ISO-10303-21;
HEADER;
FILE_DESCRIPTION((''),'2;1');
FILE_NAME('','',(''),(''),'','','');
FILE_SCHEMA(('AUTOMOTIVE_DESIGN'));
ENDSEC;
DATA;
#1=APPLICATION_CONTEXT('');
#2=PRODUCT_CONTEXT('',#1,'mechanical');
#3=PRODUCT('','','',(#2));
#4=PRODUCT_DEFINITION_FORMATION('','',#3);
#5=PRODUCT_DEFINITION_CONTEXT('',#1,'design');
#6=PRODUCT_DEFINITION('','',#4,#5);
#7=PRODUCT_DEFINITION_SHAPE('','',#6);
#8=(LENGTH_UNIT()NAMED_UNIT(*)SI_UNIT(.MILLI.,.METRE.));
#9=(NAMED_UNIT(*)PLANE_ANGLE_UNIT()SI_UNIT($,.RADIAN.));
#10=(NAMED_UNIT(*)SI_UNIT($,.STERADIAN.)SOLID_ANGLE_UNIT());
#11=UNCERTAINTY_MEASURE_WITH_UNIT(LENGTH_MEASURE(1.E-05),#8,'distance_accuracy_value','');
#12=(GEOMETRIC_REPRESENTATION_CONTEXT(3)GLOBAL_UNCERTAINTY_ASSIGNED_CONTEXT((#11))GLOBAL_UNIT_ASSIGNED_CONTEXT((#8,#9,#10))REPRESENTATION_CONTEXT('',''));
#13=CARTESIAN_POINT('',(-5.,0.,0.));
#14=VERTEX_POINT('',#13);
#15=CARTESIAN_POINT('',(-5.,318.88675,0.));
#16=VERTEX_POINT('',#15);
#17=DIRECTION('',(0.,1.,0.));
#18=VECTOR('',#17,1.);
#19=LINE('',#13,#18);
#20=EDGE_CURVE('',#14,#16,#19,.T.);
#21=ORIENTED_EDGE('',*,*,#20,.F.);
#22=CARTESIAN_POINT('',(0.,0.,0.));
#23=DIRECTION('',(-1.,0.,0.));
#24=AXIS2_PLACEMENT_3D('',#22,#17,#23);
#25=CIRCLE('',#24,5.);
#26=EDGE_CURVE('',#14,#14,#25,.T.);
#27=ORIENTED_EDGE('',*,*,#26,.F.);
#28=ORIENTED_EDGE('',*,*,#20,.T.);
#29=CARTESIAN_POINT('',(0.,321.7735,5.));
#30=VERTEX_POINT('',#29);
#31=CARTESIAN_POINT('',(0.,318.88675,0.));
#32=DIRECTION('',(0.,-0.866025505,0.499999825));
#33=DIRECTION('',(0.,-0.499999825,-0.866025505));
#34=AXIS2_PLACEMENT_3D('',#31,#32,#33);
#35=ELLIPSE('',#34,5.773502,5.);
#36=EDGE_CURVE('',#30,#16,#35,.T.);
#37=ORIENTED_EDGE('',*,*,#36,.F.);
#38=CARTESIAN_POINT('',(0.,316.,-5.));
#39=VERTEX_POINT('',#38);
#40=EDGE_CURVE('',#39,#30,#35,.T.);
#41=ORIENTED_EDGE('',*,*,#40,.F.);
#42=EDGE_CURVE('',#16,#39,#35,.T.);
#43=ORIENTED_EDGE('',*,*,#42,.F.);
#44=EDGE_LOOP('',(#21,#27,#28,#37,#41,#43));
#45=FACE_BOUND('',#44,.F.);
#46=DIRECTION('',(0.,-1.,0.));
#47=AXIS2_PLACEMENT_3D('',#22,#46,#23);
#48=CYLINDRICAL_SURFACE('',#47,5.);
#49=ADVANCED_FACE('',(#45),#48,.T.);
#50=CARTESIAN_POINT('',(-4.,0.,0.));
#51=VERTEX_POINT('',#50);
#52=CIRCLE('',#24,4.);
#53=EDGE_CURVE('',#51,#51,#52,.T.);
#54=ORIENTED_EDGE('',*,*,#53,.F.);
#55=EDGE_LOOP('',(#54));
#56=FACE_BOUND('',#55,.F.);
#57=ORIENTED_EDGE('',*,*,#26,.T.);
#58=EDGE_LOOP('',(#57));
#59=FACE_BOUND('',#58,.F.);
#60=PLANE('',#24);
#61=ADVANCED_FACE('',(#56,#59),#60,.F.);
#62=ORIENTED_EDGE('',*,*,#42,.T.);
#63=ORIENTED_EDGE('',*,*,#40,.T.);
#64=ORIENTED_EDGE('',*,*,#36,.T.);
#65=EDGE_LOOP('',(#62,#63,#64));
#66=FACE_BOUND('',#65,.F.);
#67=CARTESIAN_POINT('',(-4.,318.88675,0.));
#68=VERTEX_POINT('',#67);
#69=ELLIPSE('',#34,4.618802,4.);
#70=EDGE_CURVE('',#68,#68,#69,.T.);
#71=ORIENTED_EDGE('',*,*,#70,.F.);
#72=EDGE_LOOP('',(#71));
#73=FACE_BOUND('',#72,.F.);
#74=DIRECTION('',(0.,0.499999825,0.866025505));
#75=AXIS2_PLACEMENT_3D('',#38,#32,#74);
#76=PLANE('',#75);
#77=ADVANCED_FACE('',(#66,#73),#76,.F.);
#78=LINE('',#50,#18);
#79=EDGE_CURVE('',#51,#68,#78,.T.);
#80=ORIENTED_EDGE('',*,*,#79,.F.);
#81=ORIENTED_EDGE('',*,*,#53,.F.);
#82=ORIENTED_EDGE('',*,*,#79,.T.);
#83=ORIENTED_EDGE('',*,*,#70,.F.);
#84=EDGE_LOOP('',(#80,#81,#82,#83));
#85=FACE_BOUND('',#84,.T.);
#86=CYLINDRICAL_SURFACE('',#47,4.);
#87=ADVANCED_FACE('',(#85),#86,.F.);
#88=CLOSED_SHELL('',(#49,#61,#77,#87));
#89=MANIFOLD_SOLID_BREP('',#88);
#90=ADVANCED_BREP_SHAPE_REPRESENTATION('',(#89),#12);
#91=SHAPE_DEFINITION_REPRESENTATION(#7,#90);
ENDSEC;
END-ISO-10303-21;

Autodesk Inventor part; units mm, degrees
ref_plane "YZ Plane" through (0, 0, 0) normal (1, 0, 0) x (0, 1, 0)
ref_plane "XZ Plane" through (0, 0, 0) normal (0, 1, 0) x (-1, 0, 0)
ref_plane "XY Plane" through (0, 0, 0) normal (0, 0, 1) x (1, 0, 0)
sketch "Sketch1" plane through (0, 0, 0) normal (0, 1, 0) x (-1, 0, 0)
  circle A0 centre (0, 0) radius 4
  circle A1 centre (0, 0) radius 5
  dimension "d0" = 8
  dimension "d1" = 10
extrude "Extrusion1" add sketch "Sketch1" along normal blind 330
sketch "Sketch2" plane through (0, 0, 0) normal (1, 0, 0) x (0, 1, 0)
  line L0 (0, -5) -> (330, -5) projected
  line L1 (330, 4) -> (330, -4) projected
  line L2 (330, -5) -> (330, 5) projected
  line L3 (0, -5) -> (0, 5) projected
  line L4 (316, -5) -> (321.7735, 5)
  line L5 (0, 5) -> (330, 5) projected
  line L6 (316, -5) -> (327.547, -5) construction
  line L7 (321.7735, 5) -> (330, 5)
  line L8 (330, 4) -> (0, 4) projected
  line L9 (330, -5) -> (330, 5)
  line L10 (330, -5) -> (316, -5)
  point P0 (0, 0)
  point P1 (321.1962, 4)
  dimension "d4" = 60
  dimension "d5" = 316
extrude "Extrusion2" cut sketch "Sketch2" along normal through all both and the other way through all contours L4 L8 L1 L2 L0 | L4 L5 L2 L8
properties part number "Stainless_Steel_Pipe"
